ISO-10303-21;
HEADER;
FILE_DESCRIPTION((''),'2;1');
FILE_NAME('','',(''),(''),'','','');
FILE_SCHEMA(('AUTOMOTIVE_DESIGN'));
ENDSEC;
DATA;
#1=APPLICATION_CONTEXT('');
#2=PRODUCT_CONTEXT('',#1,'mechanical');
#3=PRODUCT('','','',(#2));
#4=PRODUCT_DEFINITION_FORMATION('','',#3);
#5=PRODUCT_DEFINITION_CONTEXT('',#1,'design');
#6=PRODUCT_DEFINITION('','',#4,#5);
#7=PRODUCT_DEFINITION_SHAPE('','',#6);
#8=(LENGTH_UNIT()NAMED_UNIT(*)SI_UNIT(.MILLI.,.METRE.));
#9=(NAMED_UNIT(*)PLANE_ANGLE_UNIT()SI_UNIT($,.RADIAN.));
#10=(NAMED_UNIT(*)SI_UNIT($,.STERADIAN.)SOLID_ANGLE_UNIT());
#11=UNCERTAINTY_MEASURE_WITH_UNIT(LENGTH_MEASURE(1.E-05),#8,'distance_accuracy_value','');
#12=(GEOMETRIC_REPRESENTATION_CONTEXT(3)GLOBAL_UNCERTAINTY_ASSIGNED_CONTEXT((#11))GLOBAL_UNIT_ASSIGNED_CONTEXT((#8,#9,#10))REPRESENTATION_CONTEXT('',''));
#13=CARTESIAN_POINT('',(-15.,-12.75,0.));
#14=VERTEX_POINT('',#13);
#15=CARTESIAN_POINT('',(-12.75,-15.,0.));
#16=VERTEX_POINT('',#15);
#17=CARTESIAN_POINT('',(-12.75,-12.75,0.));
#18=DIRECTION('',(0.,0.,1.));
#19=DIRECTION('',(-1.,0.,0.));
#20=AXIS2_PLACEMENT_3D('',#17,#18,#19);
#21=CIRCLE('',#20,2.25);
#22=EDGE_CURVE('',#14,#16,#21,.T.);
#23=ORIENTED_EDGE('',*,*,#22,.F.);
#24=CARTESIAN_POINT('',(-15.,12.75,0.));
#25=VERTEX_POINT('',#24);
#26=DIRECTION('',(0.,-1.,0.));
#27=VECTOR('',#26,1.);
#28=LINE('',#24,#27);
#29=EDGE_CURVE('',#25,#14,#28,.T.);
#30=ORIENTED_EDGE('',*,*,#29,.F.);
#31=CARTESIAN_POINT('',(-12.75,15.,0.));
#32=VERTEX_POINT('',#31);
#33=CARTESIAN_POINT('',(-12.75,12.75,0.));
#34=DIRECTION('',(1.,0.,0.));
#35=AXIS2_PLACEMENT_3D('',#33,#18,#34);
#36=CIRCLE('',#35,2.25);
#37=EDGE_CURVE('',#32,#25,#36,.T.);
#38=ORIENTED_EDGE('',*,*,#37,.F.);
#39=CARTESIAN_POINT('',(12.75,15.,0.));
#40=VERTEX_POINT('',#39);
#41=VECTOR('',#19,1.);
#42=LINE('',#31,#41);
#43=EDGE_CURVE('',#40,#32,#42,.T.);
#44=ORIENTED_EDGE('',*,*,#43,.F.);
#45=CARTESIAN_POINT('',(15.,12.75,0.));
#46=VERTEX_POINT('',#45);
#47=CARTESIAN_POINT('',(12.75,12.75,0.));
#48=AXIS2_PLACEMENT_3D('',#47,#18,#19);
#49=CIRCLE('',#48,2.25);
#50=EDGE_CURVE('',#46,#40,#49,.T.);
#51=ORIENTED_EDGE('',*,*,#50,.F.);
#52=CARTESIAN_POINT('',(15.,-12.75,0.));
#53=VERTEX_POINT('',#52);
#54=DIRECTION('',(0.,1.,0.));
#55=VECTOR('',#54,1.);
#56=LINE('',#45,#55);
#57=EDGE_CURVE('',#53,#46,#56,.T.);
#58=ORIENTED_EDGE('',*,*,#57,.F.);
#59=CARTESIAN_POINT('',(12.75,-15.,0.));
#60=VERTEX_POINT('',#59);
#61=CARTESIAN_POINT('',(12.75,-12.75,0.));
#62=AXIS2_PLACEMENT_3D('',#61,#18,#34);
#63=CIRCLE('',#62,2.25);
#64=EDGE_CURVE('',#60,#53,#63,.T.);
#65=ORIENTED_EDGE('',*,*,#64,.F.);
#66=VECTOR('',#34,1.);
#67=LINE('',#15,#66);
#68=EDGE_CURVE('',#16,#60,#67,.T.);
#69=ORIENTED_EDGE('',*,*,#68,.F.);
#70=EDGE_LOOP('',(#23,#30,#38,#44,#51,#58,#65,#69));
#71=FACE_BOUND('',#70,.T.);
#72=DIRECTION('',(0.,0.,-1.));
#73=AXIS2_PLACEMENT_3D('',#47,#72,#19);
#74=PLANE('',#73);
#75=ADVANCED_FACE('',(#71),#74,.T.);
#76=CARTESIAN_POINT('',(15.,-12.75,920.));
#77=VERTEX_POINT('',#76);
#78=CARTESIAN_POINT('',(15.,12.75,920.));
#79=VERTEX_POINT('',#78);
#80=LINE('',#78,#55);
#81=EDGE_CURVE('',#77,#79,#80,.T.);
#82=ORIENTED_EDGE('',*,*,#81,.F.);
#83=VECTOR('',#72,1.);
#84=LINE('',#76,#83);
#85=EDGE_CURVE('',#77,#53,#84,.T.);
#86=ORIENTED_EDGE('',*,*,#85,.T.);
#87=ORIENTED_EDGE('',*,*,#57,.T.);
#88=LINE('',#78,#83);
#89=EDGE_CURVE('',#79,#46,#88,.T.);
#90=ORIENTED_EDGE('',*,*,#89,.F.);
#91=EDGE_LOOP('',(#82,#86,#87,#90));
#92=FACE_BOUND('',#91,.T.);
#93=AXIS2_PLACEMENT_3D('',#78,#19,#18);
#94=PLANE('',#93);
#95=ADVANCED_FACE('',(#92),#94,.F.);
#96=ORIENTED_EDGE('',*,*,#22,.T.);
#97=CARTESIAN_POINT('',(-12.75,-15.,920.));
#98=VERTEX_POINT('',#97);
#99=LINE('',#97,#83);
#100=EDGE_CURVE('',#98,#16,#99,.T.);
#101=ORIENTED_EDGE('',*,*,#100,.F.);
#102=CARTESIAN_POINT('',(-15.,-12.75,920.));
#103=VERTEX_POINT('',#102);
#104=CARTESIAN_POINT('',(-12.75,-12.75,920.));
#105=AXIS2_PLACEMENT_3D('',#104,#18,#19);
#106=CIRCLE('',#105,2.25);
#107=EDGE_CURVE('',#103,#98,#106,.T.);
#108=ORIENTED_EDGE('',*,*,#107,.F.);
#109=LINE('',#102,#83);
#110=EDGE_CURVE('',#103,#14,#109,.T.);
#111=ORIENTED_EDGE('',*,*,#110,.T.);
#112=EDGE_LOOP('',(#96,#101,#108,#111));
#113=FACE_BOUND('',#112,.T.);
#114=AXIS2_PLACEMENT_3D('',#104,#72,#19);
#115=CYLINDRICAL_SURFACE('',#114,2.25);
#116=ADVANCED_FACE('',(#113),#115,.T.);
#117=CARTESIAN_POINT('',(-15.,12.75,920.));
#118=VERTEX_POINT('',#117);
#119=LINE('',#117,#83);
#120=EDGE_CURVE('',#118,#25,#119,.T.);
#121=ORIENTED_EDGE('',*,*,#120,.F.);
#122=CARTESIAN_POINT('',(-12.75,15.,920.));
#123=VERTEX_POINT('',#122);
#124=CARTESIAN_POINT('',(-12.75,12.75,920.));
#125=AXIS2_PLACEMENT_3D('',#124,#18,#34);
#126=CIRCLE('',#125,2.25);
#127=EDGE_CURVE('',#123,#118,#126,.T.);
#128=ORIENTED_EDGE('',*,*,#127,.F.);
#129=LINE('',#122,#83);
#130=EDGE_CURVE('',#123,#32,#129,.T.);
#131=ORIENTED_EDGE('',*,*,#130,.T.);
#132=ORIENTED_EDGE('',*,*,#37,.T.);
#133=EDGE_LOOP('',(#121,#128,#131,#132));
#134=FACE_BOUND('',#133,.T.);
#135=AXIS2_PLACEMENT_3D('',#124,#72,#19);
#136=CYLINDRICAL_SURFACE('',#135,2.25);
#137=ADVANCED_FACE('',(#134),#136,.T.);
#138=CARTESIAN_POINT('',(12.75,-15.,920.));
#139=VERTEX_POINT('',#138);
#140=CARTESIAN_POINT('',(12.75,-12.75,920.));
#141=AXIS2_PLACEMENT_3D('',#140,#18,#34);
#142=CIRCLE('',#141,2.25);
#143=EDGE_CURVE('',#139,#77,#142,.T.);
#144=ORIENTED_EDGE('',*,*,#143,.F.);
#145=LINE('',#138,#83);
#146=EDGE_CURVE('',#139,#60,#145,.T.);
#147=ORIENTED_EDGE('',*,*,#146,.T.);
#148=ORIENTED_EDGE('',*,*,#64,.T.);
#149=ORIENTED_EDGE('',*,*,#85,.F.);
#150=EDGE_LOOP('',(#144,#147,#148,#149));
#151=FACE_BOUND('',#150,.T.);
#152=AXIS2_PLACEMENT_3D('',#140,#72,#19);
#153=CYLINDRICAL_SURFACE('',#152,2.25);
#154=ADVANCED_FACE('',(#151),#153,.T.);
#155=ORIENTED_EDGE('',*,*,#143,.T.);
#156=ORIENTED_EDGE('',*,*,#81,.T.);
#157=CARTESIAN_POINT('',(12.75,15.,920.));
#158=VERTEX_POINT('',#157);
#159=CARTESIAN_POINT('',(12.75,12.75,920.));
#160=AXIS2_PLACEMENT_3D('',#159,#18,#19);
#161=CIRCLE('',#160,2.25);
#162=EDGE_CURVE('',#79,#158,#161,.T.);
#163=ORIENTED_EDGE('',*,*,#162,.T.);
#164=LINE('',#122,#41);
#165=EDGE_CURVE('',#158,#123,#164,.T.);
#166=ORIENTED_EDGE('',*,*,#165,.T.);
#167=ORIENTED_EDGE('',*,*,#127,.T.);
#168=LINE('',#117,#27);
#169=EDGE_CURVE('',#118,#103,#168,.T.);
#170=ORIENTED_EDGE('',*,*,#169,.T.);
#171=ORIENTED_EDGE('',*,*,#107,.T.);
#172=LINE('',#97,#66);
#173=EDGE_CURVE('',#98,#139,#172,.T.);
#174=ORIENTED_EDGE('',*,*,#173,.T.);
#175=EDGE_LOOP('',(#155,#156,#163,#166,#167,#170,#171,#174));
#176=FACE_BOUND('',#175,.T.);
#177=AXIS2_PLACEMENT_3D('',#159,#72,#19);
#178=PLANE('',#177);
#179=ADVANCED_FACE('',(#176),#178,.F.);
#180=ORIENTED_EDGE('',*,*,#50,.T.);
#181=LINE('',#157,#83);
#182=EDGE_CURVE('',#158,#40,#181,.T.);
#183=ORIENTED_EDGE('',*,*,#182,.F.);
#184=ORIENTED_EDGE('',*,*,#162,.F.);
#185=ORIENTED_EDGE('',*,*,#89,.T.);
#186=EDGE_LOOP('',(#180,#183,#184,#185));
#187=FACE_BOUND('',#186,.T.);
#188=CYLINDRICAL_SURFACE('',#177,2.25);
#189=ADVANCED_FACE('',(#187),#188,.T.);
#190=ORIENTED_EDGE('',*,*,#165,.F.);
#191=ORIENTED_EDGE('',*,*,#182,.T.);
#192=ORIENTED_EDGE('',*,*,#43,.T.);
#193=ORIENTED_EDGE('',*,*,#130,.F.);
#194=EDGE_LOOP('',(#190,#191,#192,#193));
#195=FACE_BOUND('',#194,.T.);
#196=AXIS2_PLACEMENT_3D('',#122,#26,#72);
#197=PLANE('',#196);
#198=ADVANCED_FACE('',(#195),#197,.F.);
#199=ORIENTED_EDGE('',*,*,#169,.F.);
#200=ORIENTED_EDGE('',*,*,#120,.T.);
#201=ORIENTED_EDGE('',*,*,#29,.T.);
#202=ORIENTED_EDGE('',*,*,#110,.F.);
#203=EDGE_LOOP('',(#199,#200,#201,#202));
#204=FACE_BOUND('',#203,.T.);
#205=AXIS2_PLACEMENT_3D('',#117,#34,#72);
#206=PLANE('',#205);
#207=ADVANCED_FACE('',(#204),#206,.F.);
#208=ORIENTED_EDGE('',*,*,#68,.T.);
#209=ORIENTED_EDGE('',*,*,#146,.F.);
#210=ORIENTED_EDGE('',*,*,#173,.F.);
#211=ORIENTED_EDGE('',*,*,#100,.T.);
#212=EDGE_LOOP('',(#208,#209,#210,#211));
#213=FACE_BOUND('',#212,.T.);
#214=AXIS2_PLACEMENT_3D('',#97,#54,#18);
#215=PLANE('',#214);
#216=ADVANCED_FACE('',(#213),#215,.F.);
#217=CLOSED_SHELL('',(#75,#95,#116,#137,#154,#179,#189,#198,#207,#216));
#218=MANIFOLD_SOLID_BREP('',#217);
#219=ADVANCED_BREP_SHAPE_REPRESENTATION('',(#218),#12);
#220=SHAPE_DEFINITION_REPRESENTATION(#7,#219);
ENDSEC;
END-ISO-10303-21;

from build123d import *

# Parameters (mm, degrees)
EXTRUSION1_DEPTH = 920


with BuildPart() as part:
    # Esquisse1 → Extrusion1 (new body)
    with BuildSketch(Plane.XY):
        with BuildLine():
            Line((-15, 12.75), (-15, -12.75))
            ThreePointArc((-15, -12.75), (-14.340990258, -14.340990258), (-12.75, -15))
            Line((-12.75, -15), (12.75, -15))
            ThreePointArc((12.75, -15), (14.340990258, -14.340990258), (15, -12.75))
            Line((15, -12.75), (15, 12.75))
            ThreePointArc((15, 12.75), (14.340990258, 14.340990258), (12.75, 15))
            Line((12.75, 15), (-12.75, 15))
            ThreePointArc((-12.75, 15), (-14.340990258, 14.340990258), (-15, 12.75))
        make_face()
    extrude(amount=EXTRUSION1_DEPTH)


solid = part.part
